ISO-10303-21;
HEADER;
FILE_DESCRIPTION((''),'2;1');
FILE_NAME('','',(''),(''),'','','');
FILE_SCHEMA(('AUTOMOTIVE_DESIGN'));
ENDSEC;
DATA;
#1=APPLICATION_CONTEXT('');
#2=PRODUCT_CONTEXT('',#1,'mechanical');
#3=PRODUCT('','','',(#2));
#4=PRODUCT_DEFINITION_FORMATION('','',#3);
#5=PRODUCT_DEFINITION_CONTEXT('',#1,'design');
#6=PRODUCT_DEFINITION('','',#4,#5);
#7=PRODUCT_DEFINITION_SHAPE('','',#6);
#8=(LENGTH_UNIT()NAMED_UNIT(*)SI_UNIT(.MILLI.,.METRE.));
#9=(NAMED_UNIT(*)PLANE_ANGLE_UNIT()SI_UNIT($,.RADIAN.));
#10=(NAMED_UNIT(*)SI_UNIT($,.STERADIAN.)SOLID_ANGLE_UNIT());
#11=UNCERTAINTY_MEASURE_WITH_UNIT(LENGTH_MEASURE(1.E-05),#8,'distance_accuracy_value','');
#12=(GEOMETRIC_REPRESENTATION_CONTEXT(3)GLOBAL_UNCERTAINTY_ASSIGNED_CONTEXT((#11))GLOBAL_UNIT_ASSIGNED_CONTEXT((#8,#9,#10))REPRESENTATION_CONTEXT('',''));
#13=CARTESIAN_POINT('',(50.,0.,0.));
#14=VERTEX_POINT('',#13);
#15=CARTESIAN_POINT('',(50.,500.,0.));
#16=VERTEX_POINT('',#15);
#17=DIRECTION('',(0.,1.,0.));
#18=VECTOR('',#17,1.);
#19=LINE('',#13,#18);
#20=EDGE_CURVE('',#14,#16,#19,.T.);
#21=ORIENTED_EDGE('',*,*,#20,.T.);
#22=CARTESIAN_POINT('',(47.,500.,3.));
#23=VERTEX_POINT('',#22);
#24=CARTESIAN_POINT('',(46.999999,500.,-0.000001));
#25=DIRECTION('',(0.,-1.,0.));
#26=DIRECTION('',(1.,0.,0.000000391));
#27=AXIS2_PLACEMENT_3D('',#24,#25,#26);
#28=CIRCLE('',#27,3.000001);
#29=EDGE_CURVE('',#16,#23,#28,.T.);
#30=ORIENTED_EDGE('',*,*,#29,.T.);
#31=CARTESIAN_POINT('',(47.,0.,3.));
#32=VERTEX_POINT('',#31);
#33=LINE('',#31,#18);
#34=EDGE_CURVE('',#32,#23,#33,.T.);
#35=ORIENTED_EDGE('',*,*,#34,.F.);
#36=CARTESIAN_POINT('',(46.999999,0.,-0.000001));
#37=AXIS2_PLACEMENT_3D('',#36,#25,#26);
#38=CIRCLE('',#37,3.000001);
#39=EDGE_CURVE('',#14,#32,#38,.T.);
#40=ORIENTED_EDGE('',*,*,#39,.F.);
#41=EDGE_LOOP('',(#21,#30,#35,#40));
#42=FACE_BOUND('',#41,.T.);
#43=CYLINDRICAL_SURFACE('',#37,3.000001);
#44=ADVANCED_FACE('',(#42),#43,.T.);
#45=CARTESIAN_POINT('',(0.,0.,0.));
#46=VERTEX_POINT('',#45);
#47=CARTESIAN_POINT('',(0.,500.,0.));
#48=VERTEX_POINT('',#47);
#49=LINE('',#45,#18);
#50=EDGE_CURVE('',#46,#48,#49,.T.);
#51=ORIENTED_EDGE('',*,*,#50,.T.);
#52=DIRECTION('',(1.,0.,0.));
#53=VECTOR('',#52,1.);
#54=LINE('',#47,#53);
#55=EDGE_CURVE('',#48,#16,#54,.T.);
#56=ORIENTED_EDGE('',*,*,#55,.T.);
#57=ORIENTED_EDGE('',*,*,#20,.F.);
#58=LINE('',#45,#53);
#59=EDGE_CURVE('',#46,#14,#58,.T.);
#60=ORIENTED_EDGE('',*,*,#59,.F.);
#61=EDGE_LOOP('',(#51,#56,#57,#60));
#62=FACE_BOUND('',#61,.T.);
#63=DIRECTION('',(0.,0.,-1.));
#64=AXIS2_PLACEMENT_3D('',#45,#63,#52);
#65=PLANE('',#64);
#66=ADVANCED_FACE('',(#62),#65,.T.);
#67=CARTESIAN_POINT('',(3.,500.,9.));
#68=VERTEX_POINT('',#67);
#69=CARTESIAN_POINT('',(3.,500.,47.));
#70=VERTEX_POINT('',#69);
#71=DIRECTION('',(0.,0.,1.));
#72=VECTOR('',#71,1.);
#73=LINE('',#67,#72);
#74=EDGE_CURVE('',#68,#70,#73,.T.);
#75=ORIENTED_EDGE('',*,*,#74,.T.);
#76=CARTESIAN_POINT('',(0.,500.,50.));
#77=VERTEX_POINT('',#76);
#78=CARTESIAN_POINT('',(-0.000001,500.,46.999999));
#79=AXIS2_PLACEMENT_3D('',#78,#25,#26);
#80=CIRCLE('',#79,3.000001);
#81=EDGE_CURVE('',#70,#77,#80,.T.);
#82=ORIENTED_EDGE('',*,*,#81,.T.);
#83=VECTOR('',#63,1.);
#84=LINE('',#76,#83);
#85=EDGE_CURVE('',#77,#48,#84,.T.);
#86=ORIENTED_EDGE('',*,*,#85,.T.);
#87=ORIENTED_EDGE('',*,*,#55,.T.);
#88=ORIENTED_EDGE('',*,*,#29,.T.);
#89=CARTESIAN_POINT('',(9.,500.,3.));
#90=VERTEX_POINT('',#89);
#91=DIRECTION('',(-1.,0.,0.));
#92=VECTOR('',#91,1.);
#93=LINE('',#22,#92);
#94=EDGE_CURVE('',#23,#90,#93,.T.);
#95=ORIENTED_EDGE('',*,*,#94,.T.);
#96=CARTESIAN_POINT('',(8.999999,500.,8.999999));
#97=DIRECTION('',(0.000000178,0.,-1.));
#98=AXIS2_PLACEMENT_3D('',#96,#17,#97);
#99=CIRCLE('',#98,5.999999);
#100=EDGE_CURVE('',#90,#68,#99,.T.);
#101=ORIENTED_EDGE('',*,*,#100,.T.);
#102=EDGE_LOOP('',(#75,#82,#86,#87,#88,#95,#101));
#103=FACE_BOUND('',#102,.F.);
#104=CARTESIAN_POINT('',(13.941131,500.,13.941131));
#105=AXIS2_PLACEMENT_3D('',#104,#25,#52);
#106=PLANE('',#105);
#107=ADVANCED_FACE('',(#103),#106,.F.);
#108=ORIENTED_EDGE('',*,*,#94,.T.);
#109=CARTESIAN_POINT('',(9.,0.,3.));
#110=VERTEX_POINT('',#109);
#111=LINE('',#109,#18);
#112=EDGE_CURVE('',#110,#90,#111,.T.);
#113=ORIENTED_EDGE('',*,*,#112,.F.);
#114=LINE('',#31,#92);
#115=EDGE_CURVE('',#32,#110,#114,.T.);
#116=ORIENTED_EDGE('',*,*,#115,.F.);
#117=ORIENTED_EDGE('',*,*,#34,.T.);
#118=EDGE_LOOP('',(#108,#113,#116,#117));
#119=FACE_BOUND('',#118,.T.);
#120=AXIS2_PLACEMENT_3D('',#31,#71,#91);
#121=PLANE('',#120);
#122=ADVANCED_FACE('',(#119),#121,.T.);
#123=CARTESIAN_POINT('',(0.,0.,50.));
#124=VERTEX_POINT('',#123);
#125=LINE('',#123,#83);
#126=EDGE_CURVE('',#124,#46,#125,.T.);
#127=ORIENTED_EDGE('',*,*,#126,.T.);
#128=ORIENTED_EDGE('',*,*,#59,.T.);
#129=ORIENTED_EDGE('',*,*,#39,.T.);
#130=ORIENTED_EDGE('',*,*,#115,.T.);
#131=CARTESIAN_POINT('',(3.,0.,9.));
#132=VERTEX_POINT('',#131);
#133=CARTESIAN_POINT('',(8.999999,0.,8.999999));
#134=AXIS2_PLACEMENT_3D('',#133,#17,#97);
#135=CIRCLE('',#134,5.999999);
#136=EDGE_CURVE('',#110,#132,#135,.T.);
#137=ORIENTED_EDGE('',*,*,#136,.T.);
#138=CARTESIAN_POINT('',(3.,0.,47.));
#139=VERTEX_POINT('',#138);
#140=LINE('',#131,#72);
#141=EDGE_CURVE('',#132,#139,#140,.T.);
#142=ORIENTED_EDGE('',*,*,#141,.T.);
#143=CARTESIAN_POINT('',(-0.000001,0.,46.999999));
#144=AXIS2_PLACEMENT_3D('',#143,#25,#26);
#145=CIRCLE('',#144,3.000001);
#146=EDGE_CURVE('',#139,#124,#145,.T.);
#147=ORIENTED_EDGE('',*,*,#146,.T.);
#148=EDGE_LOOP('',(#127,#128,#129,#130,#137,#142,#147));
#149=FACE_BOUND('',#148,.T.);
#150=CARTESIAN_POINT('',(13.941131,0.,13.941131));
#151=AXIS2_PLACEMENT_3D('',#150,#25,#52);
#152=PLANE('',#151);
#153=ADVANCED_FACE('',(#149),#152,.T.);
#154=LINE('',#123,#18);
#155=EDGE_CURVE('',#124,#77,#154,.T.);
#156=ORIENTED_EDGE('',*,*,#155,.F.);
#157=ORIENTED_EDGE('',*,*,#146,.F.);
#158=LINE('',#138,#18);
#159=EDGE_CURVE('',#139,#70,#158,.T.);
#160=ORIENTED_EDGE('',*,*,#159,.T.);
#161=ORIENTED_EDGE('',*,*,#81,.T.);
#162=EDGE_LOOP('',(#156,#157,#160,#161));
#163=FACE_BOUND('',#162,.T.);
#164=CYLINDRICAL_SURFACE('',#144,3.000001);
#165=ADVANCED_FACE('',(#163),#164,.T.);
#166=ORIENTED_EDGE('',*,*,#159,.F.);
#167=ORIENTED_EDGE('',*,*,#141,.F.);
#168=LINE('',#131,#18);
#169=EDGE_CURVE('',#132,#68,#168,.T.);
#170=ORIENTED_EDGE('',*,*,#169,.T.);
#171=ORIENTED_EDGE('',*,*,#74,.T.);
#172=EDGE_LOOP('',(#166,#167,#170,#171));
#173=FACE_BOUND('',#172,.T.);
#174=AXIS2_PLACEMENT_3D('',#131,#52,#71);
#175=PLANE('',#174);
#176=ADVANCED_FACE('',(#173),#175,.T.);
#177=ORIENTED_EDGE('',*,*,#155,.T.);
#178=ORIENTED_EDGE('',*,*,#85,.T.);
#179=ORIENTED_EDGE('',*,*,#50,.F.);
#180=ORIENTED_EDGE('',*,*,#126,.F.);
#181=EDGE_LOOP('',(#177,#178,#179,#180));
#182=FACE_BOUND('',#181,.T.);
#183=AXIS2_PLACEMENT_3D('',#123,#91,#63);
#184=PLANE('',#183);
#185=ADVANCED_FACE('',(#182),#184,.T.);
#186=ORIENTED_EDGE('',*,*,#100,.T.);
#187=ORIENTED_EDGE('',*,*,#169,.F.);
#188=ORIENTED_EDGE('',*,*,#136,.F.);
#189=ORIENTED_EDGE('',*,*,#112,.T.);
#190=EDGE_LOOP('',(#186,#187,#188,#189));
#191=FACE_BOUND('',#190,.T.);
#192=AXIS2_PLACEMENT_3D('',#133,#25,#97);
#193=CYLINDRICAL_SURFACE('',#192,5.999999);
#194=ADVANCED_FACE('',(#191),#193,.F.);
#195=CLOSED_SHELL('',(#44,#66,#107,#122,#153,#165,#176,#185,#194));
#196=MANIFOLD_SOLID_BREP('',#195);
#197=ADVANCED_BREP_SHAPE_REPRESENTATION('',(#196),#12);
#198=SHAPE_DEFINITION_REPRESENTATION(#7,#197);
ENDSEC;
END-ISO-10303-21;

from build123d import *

# Parameters (mm, degrees)
F1_DEPTH = 500


with BuildPart() as f1:
    # F0 (on Front) → F1 (new body)
    with BuildSketch(Plane.XZ):
        with BuildLine():
            Line((0, 50), (0, 0))
            Line((0, 0), (50, 0))
            ThreePointArc((50, 0), (49.12132, 2.12132), (47, 3))
            Line((47, 3), (9, 3))
            ThreePointArc((9, 3), (4.757359, 4.757359), (3, 9))
            Line((3, 9), (3, 47))
            ThreePointArc((3, 47), (2.12132, 49.12132), (0, 50))
        make_face()
    extrude(amount=-F1_DEPTH)


solid = f1.part
